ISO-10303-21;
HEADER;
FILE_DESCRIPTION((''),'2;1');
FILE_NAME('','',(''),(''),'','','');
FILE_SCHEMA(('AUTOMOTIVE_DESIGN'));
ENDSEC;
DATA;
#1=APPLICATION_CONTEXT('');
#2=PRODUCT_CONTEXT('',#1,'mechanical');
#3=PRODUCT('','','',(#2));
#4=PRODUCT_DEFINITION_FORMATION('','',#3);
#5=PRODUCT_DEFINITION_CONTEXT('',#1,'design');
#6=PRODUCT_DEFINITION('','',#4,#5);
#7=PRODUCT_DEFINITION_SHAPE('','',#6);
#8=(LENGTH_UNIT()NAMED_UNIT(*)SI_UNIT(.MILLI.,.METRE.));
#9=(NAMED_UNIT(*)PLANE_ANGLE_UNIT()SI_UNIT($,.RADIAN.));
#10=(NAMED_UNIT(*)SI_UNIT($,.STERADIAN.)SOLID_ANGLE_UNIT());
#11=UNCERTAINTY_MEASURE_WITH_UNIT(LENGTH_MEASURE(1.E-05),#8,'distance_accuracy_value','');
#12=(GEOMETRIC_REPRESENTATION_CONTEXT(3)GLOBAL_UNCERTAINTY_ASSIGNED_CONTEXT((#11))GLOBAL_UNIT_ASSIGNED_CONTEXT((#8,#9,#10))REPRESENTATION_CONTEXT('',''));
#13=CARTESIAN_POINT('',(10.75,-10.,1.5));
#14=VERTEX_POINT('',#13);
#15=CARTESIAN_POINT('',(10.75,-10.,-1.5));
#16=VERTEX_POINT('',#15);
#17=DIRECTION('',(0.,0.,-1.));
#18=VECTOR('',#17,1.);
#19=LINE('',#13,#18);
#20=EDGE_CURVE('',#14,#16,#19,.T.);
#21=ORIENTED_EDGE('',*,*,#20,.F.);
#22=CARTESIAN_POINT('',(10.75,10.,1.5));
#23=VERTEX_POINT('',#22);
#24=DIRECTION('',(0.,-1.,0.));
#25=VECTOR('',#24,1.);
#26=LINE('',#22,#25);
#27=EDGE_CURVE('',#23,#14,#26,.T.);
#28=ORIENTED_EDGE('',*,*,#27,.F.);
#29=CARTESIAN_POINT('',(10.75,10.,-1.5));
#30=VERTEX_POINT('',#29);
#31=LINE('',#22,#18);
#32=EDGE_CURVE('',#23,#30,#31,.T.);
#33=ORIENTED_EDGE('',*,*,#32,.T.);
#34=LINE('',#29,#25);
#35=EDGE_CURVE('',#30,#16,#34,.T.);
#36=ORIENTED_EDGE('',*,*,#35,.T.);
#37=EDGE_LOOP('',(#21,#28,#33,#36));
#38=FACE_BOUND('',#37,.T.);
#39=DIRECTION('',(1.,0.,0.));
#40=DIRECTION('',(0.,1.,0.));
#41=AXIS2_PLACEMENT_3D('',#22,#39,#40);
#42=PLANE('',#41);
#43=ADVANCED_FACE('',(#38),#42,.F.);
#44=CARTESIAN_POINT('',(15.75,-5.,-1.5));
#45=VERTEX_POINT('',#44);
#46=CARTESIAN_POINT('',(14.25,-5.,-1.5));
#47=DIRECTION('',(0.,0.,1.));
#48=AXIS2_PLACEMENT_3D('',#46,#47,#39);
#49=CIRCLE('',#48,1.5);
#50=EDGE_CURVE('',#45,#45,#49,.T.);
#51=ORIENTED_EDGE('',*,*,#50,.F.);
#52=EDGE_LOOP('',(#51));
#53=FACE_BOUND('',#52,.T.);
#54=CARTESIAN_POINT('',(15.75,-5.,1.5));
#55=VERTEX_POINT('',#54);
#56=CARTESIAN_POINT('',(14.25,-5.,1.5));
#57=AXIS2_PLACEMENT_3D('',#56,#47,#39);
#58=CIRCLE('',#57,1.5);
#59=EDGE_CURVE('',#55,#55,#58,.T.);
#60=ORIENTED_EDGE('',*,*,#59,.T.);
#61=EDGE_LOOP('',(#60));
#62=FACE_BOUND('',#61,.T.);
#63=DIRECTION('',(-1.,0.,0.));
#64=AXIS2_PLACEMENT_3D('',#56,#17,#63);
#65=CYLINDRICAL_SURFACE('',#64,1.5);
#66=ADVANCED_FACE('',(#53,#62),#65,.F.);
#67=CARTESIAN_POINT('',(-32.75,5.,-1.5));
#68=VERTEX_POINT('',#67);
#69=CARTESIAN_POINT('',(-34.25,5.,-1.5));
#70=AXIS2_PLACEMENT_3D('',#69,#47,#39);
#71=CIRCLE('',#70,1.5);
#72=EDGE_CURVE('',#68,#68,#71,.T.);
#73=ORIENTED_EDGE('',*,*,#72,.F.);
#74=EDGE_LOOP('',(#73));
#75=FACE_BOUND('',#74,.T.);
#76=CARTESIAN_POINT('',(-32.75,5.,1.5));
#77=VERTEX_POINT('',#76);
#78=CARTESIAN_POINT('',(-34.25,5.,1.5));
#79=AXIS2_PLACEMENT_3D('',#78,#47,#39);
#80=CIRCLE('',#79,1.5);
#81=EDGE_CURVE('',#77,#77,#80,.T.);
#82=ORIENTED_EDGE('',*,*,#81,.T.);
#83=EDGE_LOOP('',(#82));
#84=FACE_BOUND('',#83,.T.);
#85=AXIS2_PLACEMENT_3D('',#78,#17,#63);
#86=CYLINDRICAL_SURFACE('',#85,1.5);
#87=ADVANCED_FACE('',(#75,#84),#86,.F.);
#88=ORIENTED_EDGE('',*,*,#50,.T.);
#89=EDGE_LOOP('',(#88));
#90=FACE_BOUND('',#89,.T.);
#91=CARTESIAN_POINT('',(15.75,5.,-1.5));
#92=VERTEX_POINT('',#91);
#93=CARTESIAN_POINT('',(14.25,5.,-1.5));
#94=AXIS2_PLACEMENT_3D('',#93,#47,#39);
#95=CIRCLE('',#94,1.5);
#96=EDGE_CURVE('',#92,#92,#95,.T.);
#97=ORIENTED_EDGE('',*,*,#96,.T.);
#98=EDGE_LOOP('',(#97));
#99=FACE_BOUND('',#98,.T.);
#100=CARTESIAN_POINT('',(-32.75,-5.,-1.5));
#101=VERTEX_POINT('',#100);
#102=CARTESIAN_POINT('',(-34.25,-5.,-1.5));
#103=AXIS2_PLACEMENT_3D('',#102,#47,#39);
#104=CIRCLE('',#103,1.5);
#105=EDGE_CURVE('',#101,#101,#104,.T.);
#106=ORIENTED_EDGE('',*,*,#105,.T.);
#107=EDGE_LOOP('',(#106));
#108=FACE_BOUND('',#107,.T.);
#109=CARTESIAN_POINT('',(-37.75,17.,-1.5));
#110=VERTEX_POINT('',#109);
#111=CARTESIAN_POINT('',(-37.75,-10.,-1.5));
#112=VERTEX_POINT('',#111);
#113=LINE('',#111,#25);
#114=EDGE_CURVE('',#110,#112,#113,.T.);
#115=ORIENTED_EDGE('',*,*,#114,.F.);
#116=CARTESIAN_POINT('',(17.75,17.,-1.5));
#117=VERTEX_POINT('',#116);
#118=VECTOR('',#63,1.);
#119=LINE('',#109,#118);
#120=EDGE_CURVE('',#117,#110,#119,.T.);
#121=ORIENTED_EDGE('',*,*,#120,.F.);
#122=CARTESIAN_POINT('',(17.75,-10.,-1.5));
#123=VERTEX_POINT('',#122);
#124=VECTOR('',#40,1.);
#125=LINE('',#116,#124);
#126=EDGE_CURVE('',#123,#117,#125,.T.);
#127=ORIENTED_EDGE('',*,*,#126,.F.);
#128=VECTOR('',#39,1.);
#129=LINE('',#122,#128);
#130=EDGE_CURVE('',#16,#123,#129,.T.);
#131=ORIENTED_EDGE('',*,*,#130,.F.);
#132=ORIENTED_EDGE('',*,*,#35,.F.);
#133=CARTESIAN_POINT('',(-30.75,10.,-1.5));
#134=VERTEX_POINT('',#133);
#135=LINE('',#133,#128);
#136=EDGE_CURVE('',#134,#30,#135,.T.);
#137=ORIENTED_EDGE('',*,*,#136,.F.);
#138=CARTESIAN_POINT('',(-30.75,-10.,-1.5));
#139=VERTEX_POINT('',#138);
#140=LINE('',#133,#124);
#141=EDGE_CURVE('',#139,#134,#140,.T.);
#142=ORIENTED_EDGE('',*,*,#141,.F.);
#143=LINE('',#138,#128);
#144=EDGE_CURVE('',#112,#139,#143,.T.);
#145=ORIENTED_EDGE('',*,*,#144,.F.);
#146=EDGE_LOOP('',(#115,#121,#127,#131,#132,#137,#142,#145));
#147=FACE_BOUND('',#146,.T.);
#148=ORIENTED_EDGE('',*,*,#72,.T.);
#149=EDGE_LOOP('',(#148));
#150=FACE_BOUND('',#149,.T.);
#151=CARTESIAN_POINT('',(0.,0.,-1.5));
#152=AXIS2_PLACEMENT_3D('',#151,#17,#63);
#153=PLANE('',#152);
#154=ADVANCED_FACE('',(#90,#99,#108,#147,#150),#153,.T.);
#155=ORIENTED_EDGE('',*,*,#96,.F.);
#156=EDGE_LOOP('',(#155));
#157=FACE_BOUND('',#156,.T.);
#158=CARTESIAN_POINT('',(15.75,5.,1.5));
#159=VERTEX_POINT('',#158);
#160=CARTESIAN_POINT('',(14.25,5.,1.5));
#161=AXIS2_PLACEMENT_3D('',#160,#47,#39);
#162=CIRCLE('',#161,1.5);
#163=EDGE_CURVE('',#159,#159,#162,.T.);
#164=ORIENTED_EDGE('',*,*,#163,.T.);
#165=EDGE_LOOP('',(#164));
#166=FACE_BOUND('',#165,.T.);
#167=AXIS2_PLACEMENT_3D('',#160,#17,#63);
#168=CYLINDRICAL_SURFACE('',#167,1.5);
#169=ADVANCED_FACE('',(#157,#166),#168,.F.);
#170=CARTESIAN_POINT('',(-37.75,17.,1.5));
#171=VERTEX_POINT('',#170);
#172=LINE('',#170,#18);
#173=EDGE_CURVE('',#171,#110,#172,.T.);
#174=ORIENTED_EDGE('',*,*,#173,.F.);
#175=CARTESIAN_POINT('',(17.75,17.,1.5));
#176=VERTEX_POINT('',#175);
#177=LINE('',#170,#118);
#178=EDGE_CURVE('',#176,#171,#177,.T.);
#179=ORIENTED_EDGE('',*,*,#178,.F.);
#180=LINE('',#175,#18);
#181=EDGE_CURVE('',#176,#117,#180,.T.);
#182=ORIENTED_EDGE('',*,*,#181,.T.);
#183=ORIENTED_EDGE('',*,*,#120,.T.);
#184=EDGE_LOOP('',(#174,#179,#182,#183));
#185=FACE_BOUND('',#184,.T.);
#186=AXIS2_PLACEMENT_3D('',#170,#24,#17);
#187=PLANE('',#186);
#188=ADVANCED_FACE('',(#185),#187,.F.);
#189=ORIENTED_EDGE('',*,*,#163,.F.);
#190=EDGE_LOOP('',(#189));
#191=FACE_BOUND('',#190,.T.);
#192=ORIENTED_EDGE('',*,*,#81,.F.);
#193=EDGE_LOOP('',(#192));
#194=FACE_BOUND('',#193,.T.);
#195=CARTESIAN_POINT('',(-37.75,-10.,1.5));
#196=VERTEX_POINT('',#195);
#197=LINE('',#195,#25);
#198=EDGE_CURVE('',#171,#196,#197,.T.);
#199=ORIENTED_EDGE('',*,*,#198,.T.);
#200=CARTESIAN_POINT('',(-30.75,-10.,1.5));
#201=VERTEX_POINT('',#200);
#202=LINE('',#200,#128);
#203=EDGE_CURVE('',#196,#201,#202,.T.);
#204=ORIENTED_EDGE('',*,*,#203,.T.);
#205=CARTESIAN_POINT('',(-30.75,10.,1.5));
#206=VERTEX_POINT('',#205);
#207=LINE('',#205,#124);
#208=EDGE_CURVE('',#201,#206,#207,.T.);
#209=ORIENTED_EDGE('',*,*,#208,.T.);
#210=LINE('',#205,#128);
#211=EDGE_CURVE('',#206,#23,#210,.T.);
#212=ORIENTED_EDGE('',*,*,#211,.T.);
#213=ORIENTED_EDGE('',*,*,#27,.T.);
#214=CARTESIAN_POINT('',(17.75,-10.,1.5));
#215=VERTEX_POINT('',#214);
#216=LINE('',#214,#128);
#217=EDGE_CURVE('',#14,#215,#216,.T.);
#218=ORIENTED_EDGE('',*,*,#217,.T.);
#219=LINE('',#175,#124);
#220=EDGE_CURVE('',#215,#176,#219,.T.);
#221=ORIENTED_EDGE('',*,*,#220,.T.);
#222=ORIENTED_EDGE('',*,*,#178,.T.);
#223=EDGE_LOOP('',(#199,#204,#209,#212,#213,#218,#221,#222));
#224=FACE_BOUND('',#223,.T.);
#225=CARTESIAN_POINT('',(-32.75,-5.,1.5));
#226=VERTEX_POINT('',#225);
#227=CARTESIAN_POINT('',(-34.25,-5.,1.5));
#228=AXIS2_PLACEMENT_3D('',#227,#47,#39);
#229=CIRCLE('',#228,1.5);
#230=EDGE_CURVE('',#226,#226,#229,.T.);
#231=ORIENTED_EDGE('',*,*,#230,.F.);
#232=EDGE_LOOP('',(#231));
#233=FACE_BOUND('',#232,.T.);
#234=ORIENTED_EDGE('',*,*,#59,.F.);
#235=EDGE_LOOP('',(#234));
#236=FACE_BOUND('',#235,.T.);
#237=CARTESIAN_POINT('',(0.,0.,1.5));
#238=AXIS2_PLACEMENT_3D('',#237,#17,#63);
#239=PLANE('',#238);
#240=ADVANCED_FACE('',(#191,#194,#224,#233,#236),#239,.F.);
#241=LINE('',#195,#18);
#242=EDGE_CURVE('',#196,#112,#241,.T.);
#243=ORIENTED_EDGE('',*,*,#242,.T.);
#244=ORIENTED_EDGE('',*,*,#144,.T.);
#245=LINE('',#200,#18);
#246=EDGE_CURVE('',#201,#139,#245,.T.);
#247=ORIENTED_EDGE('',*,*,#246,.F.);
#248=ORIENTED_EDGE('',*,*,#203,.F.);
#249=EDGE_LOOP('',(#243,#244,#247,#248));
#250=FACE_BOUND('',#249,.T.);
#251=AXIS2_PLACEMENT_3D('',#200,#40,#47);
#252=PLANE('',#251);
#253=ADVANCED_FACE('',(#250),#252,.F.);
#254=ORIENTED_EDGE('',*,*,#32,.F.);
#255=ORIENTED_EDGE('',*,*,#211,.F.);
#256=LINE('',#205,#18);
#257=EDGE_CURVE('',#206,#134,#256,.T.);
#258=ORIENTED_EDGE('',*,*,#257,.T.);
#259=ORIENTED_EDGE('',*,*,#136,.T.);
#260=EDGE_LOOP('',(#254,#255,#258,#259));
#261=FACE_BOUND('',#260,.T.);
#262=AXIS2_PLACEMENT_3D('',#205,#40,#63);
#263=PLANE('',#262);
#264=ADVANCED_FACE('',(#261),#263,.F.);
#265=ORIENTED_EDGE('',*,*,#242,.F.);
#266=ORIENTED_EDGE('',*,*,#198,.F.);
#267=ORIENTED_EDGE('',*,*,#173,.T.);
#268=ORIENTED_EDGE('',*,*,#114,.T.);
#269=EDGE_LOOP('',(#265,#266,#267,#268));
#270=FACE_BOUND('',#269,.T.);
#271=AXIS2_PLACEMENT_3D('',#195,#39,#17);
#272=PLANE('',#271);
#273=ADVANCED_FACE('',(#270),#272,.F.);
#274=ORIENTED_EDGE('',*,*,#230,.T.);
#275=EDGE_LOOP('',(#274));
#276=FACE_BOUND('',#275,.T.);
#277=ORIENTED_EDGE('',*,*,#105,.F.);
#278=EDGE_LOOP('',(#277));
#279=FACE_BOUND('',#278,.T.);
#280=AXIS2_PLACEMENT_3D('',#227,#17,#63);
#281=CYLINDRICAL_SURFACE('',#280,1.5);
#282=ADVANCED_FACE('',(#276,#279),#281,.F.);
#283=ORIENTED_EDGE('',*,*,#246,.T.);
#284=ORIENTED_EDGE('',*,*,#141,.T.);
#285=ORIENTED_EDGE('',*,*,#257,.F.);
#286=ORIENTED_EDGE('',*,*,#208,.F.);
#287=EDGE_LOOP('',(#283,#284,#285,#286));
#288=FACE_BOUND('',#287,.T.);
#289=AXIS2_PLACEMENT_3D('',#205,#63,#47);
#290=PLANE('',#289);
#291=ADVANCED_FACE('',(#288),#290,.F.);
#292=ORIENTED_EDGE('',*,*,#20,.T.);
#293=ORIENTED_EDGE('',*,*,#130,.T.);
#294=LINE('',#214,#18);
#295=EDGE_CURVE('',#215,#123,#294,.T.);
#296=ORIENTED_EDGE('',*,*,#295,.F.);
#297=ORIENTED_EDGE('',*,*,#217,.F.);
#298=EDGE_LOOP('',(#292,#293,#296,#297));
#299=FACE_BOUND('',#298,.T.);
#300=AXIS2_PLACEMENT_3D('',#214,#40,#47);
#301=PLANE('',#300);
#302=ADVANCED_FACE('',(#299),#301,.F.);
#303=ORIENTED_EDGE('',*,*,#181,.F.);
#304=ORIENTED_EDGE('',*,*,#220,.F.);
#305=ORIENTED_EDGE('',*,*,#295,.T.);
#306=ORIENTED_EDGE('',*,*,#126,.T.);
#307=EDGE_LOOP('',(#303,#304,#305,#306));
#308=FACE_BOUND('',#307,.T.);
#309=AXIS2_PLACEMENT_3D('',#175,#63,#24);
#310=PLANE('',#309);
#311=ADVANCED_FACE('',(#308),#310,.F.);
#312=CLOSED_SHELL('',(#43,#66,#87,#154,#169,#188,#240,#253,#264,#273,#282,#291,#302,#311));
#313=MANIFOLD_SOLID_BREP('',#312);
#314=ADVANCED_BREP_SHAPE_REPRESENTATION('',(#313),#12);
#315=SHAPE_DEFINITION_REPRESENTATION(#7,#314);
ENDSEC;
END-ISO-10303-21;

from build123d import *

# Parameters (mm, degrees)
SKIZZE3_R                       = 1.5
AUFSATZ_LINEAR_AUSTRAGEN1_DEPTH = 1.5


with BuildPart() as part:
    # Skizze3 → Aufsatz-Linear austragen1 (new body, symmetric)
    with BuildSketch(Plane.XY):
        Polygon((-30.75, 10), (10.75, 10), (10.75, -10), (17.75, -10), (17.75, 17), (-37.75, 17), (-37.75, -10), (-30.75, -10), align=None)
        with Locations((-34.25, 5)):
            Circle(SKIZZE3_R, mode=Mode.SUBTRACT)
        with Locations((-34.25, -5)):
            Circle(SKIZZE3_R, mode=Mode.SUBTRACT)
        with Locations((14.25, 5)):
            Circle(SKIZZE3_R, mode=Mode.SUBTRACT)
        with Locations((14.25, -5)):
            Circle(SKIZZE3_R, mode=Mode.SUBTRACT)
    extrude(amount=AUFSATZ_LINEAR_AUSTRAGEN1_DEPTH, both=True)


solid = part.part
